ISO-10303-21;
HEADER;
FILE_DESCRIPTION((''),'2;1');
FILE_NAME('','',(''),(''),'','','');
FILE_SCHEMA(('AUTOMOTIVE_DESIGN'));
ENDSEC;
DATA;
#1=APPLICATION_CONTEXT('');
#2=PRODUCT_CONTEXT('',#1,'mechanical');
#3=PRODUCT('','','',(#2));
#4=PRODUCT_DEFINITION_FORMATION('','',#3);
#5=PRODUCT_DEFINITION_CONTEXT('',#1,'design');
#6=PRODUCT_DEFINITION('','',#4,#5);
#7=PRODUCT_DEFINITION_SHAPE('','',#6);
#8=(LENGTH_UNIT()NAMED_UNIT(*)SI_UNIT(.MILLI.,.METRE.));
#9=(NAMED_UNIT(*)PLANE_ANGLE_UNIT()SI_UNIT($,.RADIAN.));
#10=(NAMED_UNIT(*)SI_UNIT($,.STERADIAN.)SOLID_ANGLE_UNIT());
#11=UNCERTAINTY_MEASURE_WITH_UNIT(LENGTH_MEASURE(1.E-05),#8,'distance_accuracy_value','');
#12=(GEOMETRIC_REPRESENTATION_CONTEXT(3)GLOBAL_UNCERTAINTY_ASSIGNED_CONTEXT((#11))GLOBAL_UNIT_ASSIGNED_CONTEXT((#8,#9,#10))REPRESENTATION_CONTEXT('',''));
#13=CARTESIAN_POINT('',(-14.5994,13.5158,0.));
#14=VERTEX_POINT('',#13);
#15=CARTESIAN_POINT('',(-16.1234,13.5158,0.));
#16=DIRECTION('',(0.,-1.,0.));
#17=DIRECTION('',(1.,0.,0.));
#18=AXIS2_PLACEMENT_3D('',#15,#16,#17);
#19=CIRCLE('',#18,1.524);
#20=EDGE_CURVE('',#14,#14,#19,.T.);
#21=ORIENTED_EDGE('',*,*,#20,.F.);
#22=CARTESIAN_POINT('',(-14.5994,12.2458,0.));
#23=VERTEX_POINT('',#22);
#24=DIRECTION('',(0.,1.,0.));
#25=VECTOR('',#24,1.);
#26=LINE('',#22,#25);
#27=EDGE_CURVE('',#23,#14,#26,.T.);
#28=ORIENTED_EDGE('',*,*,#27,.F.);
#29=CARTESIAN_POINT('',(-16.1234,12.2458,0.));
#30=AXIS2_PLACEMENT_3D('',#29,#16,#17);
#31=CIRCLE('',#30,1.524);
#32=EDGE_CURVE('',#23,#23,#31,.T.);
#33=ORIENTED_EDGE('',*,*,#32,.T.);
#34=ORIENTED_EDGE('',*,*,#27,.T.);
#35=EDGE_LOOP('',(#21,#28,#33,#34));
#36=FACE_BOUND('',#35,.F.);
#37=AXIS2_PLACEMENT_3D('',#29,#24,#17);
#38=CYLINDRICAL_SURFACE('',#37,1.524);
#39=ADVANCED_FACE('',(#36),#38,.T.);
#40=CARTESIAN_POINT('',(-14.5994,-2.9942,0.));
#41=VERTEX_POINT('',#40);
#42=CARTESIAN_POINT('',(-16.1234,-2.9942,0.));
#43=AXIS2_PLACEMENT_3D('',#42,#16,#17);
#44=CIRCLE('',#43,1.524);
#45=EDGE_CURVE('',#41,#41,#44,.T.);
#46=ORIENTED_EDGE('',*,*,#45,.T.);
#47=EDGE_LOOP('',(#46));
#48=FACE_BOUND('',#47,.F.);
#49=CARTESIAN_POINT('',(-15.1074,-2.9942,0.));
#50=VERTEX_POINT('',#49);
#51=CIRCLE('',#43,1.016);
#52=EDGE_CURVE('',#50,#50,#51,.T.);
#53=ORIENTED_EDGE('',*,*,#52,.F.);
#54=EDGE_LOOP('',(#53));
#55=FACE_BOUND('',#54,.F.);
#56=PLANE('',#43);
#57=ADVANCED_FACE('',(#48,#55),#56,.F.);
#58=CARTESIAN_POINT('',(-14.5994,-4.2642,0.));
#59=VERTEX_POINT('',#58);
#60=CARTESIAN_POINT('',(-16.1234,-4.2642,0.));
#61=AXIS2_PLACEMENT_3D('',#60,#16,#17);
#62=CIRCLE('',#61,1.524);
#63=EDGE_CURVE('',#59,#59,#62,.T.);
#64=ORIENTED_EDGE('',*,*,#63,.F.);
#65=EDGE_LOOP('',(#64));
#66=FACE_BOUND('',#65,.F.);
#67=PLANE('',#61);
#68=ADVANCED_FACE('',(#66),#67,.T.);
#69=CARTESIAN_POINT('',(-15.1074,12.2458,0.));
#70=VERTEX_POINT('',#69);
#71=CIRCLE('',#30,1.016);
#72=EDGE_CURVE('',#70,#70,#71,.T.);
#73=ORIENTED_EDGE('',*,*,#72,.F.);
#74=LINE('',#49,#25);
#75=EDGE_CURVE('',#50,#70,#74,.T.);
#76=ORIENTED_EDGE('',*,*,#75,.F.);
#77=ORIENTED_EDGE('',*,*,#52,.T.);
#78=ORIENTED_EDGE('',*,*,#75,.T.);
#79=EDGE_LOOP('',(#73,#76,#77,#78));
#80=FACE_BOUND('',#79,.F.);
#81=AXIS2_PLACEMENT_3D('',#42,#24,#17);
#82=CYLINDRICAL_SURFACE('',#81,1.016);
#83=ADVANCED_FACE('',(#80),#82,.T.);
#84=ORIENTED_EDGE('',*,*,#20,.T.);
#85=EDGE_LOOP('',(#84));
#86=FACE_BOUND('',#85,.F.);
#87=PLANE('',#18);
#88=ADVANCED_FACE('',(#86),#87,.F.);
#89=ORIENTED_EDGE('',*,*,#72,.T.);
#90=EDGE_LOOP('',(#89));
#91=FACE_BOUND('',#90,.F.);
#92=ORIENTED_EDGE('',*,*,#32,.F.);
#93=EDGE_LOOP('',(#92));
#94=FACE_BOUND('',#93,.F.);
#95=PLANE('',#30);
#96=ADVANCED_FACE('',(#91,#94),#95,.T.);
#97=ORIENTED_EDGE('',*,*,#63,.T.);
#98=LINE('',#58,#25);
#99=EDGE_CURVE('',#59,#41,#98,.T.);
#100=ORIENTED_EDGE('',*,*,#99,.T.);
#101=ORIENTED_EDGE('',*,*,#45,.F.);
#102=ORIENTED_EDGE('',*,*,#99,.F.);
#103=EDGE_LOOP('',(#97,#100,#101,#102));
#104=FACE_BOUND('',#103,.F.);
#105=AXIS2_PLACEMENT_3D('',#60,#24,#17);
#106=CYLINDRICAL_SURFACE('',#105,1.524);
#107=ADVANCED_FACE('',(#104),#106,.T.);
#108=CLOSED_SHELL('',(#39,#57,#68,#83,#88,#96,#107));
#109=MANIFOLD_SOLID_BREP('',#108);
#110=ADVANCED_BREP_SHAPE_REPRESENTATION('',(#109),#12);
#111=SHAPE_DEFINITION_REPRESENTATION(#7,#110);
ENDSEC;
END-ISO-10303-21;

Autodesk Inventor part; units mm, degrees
ref_plane "YZ Plane" through (0, 0, 0) normal (1, 0, 0) x (0, 1, 0)
ref_plane "XZ Plane" through (0, 0, 0) normal (0, 1, 0) x (-1, 0, 0)
ref_plane "XY Plane" through (0, 0, 0) normal (0, 0, 1) x (1, 0, 0)
sketch "Sketch1" plane through (0, 0, 0) normal (0, 0, 1) x (1, 0, 0)
  line L0 (-16.1234, 13.5158) -> (-16.1234, -4.2642)
  line L1 (-16.1234, -4.2642) -> (-14.5994, -4.2642)
  line L2 (-14.5994, -4.2642) -> (-14.5994, -2.9942)
  line L3 (-14.5994, -2.9942) -> (-15.1074, -2.9942)
  line L4 (-15.1074, -2.9942) -> (-15.1074, 12.2458)
  line L5 (-15.1074, 12.2458) -> (-14.5994, 12.2458)
  line L6 (-14.5994, 12.2458) -> (-14.5994, 13.5158)
  line L7 (-14.5994, 13.5158) -> (-16.1234, 13.5158)
  dimension "d0" = 1.27
  dimension "d1" = 17.78
  dimension "d2" = 1.524
  dimension "d3" = 0.508
revolve "Revolution1" add sketch "Sketch1" angle 360 about axis through (-16.1234, 13.5158, 0) along (0, -1, 0)
properties part number "latchpin"
